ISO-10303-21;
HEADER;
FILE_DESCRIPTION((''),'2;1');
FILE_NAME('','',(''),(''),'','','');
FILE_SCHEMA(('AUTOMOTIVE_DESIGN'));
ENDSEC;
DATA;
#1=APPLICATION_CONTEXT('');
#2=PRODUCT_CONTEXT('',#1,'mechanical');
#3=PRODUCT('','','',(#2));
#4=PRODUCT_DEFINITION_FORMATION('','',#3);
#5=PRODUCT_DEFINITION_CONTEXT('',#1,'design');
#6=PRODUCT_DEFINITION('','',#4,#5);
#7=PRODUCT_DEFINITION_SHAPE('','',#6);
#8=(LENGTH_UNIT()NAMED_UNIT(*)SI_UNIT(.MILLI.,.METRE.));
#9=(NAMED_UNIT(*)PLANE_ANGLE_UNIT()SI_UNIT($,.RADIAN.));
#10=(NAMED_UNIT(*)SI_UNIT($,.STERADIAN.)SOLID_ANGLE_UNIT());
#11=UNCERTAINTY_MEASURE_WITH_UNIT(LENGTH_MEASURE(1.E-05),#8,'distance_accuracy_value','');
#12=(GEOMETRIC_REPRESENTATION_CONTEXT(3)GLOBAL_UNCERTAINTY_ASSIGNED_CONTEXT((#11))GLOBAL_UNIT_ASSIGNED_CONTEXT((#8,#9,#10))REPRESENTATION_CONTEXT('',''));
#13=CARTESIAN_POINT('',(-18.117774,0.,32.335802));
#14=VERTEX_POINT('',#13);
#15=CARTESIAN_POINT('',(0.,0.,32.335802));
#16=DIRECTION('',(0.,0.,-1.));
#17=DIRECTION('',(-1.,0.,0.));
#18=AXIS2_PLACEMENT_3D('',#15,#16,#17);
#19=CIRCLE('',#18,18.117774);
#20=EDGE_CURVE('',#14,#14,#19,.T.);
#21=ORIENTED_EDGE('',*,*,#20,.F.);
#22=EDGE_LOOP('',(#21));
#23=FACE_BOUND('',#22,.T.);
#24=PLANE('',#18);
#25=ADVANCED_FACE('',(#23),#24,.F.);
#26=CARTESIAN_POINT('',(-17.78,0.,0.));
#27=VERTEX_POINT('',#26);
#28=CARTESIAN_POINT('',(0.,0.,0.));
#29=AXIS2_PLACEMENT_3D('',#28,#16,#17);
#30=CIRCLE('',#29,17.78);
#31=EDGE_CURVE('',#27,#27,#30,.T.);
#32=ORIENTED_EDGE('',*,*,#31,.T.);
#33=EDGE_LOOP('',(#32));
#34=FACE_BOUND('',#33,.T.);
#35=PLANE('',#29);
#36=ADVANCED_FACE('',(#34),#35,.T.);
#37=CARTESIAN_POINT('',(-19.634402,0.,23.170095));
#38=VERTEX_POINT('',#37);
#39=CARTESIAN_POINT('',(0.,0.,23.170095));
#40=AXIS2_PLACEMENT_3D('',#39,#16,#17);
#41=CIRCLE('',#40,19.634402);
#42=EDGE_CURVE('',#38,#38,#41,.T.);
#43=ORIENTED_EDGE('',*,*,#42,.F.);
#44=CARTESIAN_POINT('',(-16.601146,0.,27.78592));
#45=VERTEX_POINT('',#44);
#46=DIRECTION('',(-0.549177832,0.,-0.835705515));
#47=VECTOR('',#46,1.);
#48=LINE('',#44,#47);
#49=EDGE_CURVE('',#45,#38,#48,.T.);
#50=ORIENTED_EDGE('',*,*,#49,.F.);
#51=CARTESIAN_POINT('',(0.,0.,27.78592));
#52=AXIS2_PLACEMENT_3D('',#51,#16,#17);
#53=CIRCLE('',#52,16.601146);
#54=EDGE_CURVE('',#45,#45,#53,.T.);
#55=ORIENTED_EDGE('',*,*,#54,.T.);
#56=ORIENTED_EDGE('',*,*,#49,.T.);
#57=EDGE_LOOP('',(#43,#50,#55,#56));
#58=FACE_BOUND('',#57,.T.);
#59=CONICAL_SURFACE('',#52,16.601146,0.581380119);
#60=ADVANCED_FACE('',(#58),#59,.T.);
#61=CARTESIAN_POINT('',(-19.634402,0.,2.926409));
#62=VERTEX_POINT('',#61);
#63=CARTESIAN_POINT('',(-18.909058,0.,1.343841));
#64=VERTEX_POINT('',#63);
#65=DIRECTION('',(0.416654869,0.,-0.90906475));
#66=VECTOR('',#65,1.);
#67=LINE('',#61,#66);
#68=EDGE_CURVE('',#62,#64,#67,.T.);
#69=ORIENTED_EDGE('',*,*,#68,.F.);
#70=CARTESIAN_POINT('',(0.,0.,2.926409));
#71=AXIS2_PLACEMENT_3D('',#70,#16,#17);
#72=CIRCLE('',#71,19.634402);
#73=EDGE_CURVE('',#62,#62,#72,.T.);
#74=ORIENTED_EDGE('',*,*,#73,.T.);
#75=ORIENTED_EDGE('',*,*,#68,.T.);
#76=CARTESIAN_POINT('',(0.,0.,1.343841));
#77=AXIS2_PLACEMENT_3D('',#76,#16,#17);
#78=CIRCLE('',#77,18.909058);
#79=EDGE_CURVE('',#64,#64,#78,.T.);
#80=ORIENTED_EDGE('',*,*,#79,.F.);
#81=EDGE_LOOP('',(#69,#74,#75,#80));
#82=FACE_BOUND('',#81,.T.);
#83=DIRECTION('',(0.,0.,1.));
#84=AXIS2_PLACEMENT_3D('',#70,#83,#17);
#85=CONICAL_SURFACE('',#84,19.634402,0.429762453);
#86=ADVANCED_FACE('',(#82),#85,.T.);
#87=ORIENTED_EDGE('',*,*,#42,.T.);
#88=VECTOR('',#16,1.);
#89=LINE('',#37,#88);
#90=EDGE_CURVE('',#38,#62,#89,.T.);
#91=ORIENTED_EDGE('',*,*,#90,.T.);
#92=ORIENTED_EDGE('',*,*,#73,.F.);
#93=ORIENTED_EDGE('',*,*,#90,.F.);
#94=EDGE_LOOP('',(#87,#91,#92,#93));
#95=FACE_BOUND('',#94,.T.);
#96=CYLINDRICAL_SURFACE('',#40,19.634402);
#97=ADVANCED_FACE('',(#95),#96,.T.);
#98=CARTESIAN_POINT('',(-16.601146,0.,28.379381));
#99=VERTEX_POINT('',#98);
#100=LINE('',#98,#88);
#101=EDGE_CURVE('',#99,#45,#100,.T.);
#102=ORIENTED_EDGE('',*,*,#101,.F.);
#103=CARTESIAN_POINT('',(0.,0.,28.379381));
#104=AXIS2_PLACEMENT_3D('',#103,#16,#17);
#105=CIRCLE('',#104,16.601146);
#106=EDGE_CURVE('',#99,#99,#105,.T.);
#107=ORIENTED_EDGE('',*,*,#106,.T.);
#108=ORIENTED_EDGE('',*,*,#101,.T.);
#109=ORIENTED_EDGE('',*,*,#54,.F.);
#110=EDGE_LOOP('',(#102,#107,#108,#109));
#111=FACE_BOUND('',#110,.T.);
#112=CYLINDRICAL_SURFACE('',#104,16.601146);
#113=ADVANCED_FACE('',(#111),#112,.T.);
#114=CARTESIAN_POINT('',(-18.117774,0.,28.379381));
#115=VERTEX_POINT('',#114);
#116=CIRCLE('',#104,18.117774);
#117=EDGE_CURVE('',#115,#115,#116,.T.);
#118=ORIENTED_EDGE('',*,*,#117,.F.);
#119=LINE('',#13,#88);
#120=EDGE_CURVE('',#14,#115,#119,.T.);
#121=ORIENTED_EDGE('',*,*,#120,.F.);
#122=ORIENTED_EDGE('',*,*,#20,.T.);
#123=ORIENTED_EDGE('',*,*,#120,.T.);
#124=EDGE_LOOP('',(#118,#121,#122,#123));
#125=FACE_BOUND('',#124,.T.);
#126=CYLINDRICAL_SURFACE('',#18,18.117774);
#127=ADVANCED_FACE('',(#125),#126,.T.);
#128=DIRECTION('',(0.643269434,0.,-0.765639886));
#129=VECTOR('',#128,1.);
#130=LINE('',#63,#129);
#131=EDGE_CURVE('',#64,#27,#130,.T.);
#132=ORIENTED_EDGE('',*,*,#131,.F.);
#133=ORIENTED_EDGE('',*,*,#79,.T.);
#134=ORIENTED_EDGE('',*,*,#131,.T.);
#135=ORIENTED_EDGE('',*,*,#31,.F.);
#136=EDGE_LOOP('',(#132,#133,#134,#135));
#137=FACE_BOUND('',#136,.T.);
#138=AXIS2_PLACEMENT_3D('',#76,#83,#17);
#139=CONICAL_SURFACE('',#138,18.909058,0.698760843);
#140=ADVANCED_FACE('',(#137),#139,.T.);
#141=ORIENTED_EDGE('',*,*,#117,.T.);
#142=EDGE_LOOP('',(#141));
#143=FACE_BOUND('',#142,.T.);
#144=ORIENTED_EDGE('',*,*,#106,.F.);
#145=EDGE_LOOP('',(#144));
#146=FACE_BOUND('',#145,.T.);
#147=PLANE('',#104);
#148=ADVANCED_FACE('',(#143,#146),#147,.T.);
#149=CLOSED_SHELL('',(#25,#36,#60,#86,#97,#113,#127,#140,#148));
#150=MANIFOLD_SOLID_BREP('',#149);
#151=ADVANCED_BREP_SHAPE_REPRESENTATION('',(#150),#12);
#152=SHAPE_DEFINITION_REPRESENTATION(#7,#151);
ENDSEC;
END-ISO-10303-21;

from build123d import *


with BuildPart() as f1:
    # F0 (on Front) → F1 (revolve)
    with BuildSketch(Plane.XZ):
        Polygon((-16.601146, 28.379381), (0, 28.379381), (0, 32.335802), (-18.117774, 32.335802), (-18.117774, 28.379381), align=None)
        Polygon((-18.909058, 1.343841), (-17.78, 0), (0, 0), (0, 28.379381), (-16.601146, 28.379381), (-16.601146, 27.78592), (-19.634402, 23.170095), (-19.634402, 2.926409), align=None)
    revolve(axis=Axis((0, 0, 16.167901), (0, 0, -1)))


solid = f1.part
